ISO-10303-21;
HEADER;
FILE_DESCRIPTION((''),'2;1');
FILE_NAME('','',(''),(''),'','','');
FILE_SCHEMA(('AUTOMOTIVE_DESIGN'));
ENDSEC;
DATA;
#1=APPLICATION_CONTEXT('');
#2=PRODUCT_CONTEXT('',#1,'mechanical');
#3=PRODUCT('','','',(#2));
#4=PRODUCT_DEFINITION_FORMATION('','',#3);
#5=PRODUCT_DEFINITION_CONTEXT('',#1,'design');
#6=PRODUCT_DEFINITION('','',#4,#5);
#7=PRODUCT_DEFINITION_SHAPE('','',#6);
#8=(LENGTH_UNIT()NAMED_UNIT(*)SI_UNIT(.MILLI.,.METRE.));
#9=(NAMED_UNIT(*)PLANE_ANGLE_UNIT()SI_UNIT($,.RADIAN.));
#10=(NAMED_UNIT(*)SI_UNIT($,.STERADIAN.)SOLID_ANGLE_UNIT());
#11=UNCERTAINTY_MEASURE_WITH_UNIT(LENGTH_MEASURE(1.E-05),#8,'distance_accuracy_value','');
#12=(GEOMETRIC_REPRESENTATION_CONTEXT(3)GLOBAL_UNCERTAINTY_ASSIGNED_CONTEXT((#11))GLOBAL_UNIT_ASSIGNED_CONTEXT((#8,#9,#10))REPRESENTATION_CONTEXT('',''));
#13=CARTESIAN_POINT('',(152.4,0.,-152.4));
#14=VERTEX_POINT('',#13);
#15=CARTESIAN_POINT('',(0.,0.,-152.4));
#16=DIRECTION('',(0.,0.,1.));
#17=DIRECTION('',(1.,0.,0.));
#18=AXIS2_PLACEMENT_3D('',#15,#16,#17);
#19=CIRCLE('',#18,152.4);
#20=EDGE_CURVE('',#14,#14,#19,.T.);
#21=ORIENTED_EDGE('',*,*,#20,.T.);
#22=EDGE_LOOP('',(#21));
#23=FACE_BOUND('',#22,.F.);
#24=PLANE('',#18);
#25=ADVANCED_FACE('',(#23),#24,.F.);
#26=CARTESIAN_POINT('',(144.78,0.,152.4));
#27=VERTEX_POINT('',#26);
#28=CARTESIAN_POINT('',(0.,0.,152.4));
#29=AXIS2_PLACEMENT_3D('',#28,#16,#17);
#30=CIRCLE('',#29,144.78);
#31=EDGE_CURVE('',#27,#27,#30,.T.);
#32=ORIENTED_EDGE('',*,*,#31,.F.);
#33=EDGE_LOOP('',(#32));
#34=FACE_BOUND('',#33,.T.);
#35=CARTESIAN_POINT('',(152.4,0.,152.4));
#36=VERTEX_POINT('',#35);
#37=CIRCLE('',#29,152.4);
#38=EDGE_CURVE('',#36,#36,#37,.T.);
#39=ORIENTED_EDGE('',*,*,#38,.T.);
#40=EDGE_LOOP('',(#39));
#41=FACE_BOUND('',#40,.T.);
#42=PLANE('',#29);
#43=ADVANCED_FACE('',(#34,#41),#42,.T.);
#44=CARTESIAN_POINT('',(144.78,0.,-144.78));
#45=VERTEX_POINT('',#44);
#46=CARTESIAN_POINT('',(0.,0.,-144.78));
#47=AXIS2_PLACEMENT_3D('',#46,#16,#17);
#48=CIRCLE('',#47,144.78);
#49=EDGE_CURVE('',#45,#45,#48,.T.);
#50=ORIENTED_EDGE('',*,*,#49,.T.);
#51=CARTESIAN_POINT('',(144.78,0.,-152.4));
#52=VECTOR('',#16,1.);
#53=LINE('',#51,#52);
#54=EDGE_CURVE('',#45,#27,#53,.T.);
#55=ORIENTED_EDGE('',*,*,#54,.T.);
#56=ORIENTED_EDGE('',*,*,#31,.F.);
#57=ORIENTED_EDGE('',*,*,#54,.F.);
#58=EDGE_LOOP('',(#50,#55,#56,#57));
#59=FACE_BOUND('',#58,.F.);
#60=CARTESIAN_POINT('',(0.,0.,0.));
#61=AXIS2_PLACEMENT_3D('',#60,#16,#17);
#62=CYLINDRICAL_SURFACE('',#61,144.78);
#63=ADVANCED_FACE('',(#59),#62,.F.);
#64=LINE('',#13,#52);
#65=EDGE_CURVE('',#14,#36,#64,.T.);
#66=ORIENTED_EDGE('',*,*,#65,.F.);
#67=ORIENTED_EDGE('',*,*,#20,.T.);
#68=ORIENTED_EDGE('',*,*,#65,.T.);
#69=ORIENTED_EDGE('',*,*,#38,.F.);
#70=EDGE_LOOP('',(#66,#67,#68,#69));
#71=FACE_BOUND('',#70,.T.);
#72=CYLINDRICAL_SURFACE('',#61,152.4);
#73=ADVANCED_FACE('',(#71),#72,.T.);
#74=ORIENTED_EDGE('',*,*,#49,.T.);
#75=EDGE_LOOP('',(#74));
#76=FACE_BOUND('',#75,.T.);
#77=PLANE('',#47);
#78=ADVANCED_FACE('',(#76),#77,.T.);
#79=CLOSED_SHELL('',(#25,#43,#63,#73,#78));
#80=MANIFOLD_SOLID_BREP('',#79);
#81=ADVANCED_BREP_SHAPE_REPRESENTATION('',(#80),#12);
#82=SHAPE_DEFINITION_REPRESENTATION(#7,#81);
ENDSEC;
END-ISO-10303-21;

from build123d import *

# Parameters (mm, degrees)
F0_R     = 152.4
F1_DEPTH = 152.4
F2_T     = -7.62


with BuildPart() as f1:
    # F0 (on Top) → F1 (new body, symmetric)
    with BuildSketch(Plane.XY):
        Circle(F0_R)
    extrude(amount=F1_DEPTH, both=True)

    # F2
    f2_openings = [f1.faces().sort_by_distance(p)[0] for p in [
        (0, 0, 152.4),
    ]]
    offset(amount=F2_T, openings=f2_openings)


solid = f1.part
